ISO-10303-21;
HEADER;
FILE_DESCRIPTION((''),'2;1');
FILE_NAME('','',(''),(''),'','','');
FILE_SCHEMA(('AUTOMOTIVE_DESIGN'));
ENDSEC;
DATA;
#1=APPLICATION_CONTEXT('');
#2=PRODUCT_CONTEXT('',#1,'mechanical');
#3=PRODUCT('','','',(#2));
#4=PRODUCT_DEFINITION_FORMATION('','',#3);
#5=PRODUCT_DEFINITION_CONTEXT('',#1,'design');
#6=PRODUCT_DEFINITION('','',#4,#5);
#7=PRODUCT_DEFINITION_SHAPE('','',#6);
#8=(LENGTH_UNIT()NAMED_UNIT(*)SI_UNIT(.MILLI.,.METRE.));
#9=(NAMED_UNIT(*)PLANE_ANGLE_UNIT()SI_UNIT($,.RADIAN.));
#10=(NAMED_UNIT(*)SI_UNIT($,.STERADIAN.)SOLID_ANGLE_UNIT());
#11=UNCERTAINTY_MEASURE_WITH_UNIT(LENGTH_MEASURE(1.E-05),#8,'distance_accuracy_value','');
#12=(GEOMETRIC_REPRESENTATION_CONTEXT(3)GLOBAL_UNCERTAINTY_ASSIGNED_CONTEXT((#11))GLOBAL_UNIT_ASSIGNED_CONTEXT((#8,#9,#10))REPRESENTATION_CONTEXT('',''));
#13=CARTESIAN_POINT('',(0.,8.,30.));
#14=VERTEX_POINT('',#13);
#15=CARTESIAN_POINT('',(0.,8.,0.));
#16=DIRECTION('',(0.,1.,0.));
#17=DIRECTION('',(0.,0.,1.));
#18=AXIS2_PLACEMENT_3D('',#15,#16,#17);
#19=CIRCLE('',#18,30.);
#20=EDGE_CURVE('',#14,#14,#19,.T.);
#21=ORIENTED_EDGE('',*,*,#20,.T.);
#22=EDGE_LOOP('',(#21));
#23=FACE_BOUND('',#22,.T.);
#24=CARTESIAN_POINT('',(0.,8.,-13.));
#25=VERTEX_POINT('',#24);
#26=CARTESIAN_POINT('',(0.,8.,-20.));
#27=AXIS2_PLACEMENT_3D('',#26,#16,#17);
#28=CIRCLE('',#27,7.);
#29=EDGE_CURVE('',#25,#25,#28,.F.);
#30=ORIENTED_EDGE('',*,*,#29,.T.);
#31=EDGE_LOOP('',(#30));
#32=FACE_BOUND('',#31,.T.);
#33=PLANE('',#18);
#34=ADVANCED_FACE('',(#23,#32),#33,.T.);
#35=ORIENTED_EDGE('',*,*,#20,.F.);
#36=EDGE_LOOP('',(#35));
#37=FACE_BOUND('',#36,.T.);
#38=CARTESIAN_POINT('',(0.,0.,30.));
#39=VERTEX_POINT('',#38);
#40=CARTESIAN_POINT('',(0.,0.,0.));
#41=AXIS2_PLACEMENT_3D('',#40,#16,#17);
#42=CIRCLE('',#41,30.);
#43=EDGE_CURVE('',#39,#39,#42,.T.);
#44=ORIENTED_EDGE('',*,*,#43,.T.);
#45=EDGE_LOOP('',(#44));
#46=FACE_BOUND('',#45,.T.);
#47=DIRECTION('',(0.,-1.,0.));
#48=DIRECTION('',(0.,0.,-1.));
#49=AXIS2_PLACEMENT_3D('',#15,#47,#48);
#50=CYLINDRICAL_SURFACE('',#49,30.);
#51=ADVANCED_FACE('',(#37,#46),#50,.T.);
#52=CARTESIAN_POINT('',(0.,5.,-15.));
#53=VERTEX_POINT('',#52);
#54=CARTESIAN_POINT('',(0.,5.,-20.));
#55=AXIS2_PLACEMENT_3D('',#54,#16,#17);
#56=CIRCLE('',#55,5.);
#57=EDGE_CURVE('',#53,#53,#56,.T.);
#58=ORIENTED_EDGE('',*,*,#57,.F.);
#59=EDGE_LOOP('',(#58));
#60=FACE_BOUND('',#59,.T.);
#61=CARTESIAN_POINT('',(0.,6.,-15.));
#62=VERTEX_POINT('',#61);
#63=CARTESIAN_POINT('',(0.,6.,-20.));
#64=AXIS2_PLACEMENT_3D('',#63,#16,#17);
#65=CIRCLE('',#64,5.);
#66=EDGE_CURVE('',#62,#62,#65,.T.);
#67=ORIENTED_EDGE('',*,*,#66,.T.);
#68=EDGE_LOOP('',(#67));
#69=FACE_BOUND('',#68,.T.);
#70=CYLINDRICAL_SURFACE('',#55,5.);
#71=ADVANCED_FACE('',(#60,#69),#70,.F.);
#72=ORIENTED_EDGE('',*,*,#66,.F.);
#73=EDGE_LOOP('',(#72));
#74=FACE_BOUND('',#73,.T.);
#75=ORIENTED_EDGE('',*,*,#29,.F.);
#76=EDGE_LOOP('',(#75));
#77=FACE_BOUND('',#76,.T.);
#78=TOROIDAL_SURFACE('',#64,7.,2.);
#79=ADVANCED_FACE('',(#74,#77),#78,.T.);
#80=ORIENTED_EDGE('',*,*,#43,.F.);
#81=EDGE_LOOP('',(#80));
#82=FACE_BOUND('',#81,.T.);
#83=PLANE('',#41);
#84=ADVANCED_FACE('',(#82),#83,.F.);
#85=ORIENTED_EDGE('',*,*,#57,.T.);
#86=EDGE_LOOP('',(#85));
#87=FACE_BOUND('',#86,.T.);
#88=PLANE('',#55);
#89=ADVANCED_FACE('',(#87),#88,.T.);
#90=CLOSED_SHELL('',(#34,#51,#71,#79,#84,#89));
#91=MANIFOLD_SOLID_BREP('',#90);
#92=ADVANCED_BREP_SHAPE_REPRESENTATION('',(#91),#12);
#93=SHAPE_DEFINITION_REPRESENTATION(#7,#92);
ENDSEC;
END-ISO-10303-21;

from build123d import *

# Parameters (mm, degrees)
CROQUIS1_R              = 30
SALIENTE_EXTRUIR1_DEPTH = 8
CROQUIS2_R              = 5
CORTAR_EXTRUIR1_DEPTH   = 3
REDONDEO1_R             = 2


with BuildPart() as part:
    # Croquis1 → Saliente-Extruir1 (new body)
    with BuildSketch(Plane(origin=(0, 0, 0), x_dir=(1, 0, 0), z_dir=(0, 1, 0))):
        with Locations(Location((0, 0, 0), (0, 0, 270))):
            Circle(CROQUIS1_R)
    extrude(amount=SALIENTE_EXTRUIR1_DEPTH)

    # Croquis2 → Cortar-Extruir1 (cut)
    with BuildSketch(Plane(origin=(0, 8, 0), x_dir=(1, 0, 0), z_dir=(0, 1, 0))):
        with Locations(Location((0, 20, 0), (0, 0, 270))):
            Circle(CROQUIS2_R)
    extrude(amount=-CORTAR_EXTRUIR1_DEPTH, mode=Mode.SUBTRACT)

    # Redondeo1
    redondeo1_edges = [part.edges().sort_by_distance(p)[0] for p in [
        (0, 8, -25),
    ]]
    fillet(redondeo1_edges, radius=REDONDEO1_R)


solid = part.part
